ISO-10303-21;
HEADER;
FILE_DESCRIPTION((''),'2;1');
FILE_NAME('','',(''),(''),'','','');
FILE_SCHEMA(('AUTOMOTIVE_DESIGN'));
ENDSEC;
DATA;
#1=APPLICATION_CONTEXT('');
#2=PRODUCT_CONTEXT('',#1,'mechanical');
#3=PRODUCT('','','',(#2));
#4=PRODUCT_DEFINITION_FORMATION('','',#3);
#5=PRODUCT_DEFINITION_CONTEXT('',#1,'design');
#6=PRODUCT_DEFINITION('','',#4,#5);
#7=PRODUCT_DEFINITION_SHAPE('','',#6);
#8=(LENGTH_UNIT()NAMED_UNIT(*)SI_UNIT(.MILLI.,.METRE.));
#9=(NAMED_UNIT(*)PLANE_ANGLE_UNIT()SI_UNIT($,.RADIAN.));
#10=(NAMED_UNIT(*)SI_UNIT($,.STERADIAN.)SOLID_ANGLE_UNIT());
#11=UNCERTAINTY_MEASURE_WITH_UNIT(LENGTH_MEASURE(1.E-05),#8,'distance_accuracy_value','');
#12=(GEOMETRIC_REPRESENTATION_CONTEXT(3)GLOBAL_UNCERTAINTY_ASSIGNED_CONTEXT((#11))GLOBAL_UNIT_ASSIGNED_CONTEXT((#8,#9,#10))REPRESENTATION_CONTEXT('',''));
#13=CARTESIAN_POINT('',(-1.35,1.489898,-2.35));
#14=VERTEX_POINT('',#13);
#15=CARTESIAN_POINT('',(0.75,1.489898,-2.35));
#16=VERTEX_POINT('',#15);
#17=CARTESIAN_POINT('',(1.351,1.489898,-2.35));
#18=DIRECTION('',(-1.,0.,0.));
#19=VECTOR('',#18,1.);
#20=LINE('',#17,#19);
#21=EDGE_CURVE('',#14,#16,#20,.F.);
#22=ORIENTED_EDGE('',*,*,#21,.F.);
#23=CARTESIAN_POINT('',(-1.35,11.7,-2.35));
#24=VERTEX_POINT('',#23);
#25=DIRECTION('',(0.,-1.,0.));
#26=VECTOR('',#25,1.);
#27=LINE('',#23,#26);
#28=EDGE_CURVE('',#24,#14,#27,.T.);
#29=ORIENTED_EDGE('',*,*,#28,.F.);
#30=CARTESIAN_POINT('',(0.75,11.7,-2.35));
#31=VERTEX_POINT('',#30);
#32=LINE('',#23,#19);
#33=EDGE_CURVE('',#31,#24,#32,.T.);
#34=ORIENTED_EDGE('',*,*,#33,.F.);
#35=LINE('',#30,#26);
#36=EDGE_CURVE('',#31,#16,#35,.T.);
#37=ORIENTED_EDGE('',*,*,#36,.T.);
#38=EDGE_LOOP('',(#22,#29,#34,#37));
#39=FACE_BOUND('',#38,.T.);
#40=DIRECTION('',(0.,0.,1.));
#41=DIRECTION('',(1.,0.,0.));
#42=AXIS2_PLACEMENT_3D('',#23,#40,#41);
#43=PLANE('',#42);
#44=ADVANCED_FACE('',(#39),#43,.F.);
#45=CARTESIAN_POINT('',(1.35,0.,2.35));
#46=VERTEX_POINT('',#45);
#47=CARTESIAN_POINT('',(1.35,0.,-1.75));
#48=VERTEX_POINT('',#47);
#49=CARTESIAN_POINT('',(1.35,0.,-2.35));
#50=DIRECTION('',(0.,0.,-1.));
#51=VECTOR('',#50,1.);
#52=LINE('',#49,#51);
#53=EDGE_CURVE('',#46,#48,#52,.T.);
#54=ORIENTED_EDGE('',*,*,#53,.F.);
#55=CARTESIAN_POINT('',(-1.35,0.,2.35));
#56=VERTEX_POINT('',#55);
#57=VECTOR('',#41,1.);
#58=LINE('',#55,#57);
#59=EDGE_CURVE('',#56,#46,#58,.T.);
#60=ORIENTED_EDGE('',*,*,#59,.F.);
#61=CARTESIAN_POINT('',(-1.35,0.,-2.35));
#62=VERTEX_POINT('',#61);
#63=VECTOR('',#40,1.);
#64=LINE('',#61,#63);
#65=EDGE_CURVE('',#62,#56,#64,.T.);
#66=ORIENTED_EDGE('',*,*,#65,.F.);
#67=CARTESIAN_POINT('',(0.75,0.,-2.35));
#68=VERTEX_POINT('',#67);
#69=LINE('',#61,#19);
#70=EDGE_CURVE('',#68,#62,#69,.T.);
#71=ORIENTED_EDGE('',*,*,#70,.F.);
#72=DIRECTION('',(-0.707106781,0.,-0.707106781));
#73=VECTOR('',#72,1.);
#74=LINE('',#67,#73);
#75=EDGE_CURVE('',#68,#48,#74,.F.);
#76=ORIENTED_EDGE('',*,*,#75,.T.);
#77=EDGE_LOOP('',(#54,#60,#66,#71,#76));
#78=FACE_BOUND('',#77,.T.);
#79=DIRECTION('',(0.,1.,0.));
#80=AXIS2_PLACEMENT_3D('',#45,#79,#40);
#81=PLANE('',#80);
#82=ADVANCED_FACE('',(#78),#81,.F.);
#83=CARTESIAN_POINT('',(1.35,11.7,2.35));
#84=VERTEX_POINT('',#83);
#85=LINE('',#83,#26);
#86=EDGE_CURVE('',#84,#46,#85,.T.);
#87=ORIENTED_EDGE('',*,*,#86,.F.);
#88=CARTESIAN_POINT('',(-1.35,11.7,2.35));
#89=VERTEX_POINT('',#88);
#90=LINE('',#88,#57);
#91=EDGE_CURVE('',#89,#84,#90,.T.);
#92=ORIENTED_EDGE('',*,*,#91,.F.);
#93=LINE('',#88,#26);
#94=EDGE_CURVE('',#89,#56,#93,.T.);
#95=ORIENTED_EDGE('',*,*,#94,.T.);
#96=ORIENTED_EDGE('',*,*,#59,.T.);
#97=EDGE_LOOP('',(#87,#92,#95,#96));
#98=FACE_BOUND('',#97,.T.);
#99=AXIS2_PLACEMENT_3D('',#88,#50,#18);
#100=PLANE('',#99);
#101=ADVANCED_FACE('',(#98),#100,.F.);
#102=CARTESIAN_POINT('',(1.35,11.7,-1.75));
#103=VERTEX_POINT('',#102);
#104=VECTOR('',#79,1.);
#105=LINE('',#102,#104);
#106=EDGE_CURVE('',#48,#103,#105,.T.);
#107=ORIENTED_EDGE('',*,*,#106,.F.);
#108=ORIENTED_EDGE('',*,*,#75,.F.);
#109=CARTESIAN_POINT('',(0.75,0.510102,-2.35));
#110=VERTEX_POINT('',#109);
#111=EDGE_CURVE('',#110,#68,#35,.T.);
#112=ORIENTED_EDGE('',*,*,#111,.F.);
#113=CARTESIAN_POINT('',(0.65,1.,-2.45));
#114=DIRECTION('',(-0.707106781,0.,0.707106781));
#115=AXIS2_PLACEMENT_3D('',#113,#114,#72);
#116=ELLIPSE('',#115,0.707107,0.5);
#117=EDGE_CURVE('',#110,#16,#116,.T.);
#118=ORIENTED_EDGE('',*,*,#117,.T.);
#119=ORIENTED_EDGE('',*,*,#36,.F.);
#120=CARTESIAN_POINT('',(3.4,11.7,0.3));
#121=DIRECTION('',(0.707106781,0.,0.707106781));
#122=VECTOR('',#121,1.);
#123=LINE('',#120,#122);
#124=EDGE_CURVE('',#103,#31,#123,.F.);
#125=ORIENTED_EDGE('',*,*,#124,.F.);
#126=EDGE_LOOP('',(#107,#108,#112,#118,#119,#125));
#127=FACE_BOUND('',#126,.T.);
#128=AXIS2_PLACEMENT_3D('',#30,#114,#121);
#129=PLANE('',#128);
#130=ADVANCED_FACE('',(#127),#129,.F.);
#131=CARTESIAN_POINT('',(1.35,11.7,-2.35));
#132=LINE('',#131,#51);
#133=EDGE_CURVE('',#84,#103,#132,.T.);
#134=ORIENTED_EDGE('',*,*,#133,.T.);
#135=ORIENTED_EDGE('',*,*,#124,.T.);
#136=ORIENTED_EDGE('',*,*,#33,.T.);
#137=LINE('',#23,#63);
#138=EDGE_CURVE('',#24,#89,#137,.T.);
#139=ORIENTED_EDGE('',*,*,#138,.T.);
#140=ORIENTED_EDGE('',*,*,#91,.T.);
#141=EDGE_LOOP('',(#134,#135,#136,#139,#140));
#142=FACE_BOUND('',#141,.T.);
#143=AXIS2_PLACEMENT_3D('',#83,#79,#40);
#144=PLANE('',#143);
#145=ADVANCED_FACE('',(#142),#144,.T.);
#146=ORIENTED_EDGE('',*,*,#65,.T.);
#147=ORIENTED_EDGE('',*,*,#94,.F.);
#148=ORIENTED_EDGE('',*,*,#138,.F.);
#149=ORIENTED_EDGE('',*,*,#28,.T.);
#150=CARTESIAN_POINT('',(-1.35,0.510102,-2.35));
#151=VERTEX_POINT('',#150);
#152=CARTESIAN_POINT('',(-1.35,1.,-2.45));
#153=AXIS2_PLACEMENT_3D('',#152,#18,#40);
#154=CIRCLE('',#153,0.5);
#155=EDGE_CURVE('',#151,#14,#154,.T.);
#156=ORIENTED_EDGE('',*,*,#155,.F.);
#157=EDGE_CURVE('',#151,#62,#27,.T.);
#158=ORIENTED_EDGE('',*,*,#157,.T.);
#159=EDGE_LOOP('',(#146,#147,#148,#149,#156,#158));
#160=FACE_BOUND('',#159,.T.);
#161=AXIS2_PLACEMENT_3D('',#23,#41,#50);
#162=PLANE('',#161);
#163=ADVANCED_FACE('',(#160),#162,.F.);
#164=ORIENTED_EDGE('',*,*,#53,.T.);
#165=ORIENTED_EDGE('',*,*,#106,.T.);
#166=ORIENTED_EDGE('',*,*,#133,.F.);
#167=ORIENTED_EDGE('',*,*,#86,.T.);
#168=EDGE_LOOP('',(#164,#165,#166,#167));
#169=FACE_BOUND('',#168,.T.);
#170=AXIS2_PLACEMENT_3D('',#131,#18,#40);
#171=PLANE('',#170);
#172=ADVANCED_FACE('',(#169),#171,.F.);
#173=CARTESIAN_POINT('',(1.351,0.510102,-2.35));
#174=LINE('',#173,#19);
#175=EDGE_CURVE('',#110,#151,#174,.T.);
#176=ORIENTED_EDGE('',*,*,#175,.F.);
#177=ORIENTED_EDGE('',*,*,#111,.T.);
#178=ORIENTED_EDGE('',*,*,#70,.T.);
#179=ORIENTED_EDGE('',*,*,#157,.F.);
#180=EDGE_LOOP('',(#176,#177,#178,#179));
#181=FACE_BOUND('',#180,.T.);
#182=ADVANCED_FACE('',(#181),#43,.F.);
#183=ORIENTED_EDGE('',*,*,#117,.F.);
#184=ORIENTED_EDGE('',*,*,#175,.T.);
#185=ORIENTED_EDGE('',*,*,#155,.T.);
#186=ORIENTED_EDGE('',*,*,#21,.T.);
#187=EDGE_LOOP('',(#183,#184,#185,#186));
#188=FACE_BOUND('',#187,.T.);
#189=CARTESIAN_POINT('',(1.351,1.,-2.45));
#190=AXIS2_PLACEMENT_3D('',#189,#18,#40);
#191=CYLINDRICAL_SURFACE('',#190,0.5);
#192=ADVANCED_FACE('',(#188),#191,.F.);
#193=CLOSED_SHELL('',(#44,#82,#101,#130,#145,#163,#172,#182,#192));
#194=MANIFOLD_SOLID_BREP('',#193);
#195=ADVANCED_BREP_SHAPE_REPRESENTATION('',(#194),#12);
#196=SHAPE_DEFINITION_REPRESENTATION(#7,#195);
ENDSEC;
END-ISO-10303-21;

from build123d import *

# Parameters (mm, degrees)
SKETCH_1_W          = 2.7
SKETCH_1_H          = 4.7
EXTRUDE_1_DEPTH     = 11.7
CHAMFER_1_SIZE      = 0.6
CUT_EXTRUDE_2_REACH = 14.235
SKETCH_3_R          = 0.5


with BuildPart() as part:
    # 草圖1 → 伸長1 (new body)
    with BuildSketch(Plane(origin=(0, 0, 0), x_dir=(1, 0, 0), z_dir=(0, 1, 0))):
        Rectangle(SKETCH_1_W, SKETCH_1_H)
    extrude(amount=EXTRUDE_1_DEPTH)

    # 導角1
    chamfer_1_edges = [part.edges().sort_by_distance(p)[0] for p in [
        (1.35, 5.85, -2.35),
    ]]
    chamfer(chamfer_1_edges, length=CHAMFER_1_SIZE)

    # 伸長2: up to this plane
    cut_extrude_2_end = Plane(origin=(0.75, 11.7, -2.35), z_dir=(-0.7071067811865476, 0, 0.7071067811865476))
    # 草圖3 → 伸長2 (cut, up to the surface)
    with BuildSketch(Plane.ZY.offset(1.35), mode=Mode.PRIVATE) as cut_extrude_2_sk1:
        with Locations((-2.45, 1)):
            Circle(SKETCH_3_R)
    cut_extrude_2_tool1 = split(extrude(cut_extrude_2_sk1.sketch, amount=-CUT_EXTRUDE_2_REACH, mode=Mode.PRIVATE), bisect_by=cut_extrude_2_end, keep=Keep.BOTH, mode=Mode.PRIVATE)
    add(cut_extrude_2_tool1.solids().sort_by_distance((-1.35, 1, -2.45))[0], mode=Mode.SUBTRACT)


solid = part.part
